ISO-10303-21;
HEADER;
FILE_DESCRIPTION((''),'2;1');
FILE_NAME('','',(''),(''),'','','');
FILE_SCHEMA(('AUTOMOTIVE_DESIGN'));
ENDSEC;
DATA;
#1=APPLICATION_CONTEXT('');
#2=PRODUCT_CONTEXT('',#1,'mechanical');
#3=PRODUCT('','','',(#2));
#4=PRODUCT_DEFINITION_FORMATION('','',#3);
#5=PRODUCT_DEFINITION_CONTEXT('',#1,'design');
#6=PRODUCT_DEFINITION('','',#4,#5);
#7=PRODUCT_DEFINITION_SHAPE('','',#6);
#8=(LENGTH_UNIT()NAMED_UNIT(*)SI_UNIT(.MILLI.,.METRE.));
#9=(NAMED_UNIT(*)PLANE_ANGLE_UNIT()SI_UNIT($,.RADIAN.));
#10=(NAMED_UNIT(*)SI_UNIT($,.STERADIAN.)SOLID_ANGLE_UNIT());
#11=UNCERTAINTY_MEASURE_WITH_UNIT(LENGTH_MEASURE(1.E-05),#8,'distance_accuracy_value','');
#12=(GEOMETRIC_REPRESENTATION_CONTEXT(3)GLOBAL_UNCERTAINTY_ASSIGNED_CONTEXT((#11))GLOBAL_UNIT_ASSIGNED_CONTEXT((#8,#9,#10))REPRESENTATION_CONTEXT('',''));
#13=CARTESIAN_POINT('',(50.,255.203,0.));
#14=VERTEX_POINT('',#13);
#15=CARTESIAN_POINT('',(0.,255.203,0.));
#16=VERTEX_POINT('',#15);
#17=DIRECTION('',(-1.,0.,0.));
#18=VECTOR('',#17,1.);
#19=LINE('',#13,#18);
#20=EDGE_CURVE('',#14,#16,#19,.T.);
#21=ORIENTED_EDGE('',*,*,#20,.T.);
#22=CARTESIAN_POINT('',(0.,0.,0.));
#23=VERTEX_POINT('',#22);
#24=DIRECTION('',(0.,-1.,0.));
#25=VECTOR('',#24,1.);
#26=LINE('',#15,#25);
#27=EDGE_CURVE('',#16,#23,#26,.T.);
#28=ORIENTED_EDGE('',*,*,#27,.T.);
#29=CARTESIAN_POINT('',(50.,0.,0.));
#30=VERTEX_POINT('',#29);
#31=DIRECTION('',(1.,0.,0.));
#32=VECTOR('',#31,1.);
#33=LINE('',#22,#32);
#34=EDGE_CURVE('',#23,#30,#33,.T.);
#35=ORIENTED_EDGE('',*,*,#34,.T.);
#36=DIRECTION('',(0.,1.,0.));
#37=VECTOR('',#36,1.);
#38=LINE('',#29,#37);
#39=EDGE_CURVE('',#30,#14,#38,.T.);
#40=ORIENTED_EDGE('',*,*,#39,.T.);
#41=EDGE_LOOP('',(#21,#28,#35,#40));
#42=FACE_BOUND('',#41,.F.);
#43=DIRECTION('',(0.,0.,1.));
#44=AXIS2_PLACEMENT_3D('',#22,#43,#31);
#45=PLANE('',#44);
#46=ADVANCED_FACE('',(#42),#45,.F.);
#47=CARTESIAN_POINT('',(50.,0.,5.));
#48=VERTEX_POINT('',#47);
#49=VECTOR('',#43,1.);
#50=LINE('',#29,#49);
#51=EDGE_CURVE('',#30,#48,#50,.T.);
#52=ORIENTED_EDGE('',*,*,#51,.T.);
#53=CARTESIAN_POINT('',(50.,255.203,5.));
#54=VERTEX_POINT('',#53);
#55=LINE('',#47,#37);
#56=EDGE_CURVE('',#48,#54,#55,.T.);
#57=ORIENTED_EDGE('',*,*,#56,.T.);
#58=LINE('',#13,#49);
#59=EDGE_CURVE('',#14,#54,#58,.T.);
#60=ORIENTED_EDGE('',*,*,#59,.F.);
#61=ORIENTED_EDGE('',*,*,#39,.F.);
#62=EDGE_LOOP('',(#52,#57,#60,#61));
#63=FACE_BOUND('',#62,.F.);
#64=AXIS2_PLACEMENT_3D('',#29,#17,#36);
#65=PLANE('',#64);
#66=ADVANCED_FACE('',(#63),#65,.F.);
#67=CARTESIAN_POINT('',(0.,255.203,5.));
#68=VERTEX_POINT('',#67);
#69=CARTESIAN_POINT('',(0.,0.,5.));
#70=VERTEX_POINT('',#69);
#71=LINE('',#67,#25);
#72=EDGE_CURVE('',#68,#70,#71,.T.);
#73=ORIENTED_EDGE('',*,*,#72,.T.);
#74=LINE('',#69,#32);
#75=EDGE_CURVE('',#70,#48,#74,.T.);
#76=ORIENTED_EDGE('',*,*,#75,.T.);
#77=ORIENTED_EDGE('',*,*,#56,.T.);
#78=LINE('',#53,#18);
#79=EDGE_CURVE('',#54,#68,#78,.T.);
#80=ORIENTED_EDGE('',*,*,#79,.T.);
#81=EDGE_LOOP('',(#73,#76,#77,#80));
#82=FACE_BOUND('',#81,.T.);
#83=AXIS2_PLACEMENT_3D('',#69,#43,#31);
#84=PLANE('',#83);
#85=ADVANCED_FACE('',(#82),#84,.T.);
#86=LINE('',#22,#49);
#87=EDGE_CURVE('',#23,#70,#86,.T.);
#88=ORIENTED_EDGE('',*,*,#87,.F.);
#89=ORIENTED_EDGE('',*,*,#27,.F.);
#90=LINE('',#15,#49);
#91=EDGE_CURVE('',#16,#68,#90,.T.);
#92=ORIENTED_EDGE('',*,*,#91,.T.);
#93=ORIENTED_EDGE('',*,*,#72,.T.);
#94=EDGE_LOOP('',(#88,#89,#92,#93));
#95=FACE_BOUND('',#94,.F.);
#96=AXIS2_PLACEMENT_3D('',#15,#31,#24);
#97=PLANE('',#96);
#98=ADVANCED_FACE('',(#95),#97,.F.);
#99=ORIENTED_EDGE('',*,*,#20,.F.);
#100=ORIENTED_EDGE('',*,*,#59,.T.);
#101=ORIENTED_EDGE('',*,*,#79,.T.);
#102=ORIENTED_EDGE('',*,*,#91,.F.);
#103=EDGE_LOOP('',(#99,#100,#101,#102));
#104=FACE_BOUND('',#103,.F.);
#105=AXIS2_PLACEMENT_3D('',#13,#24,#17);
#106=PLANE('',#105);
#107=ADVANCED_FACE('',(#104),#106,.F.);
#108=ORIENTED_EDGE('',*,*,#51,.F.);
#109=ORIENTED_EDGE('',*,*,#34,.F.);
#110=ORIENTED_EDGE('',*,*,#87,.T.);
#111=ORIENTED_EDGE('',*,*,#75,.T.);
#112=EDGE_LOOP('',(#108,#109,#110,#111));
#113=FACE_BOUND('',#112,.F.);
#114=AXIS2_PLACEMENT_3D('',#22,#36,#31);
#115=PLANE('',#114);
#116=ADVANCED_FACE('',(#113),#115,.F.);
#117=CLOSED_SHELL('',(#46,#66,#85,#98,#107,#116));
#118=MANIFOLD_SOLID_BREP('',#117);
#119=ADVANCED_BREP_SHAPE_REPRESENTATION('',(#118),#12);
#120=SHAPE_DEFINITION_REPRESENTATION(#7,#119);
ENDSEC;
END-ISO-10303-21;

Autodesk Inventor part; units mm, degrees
ref_plane "YZ Plane" through (0, 0, 0) normal (1, 0, 0) x (0, 1, 0)
ref_plane "XZ Plane" through (0, 0, 0) normal (0, 1, 0) x (-1, 0, 0)
ref_plane "XY Plane" through (0, 0, 0) normal (0, 0, 1) x (1, 0, 0)
sketch "Sketch1" plane through (0, 0, 0) normal (0, 0, 1) x (1, 0, 0)
  line L0 (0, 0) -> (50, 0)
  line L1 (50, 0) -> (50, 255.203)
  line L2 (50, 255.203) -> (0, 255.203)
  line L3 (0, 255.203) -> (0, 0)
  dimension "d0" = 50
  dimension "d1" = 255.203
extrude "Extrusion1" add sketch "Sketch1" along normal blind 5
